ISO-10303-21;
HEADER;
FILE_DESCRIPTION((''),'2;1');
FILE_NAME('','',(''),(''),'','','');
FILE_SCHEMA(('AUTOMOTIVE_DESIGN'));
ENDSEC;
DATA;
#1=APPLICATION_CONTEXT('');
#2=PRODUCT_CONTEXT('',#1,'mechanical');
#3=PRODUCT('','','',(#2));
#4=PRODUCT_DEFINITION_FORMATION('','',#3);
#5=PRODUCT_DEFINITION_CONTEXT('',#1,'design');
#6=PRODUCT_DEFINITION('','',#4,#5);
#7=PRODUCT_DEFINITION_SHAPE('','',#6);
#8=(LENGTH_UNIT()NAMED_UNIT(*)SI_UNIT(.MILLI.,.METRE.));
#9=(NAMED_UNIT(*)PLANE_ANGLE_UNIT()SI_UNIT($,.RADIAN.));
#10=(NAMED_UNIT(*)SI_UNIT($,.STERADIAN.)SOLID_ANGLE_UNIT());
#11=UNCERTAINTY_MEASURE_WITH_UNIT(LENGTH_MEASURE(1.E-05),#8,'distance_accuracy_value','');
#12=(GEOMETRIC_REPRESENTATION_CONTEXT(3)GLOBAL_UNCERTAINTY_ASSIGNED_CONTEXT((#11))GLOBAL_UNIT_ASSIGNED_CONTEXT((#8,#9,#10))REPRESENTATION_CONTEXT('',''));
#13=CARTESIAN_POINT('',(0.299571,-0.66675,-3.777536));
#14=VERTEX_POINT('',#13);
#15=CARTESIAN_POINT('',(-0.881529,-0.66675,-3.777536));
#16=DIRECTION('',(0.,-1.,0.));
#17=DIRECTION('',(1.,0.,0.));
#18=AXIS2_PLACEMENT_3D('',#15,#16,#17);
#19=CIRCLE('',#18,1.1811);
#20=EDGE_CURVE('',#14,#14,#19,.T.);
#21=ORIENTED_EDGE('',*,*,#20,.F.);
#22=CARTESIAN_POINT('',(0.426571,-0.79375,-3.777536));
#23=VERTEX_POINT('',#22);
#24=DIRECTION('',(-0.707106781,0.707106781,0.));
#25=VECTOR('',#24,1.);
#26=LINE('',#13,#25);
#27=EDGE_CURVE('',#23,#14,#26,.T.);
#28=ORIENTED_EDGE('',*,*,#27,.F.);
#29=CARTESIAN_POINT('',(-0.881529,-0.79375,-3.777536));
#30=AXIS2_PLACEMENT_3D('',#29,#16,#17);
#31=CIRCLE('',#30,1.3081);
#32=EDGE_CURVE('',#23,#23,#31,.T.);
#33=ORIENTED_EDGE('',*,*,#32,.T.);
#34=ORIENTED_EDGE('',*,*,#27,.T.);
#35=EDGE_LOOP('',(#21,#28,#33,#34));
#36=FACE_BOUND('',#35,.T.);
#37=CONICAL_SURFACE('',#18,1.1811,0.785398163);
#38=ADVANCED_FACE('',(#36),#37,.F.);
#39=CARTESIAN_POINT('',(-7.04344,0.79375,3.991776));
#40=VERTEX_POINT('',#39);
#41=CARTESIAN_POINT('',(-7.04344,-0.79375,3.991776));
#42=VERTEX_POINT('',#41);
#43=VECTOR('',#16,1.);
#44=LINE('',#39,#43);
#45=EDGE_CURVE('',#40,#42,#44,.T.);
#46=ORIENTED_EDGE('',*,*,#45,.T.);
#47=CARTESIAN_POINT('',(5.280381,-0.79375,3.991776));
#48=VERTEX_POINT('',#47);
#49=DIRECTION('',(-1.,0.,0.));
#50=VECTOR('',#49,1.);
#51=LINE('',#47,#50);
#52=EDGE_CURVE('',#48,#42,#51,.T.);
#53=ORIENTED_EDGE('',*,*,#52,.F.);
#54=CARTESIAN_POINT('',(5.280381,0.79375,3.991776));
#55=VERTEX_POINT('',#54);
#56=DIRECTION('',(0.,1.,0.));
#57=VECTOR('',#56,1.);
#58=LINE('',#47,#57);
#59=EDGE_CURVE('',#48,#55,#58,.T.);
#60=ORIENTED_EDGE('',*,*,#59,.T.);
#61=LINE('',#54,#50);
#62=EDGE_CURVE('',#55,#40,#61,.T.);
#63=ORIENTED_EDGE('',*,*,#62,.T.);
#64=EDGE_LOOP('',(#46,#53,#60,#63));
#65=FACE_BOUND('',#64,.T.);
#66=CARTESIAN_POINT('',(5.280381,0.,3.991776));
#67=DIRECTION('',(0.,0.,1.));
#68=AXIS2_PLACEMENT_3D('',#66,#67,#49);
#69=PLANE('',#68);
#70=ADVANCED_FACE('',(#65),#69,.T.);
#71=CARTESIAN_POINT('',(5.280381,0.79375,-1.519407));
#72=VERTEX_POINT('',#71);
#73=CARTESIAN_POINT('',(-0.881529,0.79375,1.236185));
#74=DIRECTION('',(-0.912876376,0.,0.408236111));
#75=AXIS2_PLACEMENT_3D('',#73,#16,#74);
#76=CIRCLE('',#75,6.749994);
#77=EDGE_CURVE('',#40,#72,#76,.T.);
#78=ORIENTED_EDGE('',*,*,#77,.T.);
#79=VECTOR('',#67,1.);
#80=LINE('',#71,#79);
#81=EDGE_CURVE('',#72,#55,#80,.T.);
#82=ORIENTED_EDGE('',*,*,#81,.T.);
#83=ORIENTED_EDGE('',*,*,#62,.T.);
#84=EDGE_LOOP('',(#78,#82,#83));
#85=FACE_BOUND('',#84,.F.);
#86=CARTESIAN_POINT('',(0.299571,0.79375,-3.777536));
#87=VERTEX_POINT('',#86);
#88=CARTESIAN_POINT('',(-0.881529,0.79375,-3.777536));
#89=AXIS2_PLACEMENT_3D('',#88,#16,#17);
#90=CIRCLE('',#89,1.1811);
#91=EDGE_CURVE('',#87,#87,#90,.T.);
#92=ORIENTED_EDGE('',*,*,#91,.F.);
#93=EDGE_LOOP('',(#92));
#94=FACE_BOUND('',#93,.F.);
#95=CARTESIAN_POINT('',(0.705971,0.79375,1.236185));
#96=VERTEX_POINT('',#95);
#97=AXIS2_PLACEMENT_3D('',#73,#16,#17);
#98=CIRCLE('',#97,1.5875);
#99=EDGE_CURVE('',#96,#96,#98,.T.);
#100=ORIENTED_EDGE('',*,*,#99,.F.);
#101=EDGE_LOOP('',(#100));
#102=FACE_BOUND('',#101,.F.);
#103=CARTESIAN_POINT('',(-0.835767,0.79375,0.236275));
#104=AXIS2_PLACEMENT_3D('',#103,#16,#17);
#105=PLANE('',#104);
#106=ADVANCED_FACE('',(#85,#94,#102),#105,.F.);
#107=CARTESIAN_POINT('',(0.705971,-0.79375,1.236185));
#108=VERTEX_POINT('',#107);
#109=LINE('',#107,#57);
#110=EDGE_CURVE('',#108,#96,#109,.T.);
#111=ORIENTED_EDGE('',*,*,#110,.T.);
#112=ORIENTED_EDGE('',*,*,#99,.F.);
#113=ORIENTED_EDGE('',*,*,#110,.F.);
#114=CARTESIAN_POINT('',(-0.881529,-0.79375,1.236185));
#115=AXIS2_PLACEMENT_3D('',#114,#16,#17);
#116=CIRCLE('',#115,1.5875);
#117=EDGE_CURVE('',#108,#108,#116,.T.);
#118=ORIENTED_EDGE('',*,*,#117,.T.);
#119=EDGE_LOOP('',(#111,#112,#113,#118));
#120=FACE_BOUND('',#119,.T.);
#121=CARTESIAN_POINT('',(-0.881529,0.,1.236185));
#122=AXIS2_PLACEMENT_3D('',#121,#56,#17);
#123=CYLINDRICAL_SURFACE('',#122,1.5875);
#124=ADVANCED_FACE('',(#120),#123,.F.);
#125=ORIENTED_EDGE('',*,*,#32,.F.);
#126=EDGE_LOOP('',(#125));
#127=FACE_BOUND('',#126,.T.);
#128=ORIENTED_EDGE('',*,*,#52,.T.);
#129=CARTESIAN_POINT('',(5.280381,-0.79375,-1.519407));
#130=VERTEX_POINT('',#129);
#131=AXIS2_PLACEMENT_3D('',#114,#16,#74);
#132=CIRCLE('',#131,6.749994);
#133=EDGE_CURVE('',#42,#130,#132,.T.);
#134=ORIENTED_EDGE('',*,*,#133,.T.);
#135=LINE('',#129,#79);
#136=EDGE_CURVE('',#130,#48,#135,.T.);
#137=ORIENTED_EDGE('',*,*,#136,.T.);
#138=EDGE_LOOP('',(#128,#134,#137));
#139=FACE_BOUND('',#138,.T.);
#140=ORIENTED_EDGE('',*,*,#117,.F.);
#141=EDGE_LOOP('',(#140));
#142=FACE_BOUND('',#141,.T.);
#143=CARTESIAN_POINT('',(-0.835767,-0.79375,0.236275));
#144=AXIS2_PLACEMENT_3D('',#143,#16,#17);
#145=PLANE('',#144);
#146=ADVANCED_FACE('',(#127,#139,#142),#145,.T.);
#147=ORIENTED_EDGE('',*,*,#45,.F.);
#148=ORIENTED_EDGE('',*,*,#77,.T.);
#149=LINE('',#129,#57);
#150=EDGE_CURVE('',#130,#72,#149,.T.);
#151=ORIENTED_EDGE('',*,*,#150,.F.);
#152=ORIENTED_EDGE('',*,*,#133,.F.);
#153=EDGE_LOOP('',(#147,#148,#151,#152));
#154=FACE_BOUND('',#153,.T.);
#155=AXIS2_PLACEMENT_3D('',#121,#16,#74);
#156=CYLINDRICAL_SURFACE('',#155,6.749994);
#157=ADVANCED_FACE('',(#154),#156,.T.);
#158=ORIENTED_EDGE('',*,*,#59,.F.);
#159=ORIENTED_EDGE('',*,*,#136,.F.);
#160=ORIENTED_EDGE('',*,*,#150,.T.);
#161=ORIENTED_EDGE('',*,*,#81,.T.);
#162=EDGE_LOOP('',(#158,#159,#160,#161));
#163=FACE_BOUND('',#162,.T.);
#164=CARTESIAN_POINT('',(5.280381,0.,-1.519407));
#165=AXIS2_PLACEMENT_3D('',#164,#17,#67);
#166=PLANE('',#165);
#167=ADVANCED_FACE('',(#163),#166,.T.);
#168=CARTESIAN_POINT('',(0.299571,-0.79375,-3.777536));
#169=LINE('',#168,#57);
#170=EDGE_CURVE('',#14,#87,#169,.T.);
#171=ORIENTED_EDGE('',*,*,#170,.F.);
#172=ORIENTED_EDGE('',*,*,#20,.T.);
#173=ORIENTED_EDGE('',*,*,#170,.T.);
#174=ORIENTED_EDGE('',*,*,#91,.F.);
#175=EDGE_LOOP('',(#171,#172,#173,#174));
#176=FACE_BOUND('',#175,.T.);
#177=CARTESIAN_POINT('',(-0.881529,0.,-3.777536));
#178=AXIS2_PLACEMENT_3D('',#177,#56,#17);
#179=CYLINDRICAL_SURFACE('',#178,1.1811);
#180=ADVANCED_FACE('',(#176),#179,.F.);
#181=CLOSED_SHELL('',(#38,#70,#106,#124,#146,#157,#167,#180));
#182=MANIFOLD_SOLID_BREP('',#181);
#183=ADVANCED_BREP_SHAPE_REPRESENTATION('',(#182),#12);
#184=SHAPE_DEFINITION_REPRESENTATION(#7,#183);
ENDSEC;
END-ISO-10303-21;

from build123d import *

# Parameters (mm, degrees)
F0_R     = 1.1811
F0_R_2   = 1.5875
F1_DEPTH = 0.79375
F2_SIZE2 = 0.127
F2_SIZE  = 0.127


with BuildPart() as f1:
    # F0 (on Front) → F1 (new body, symmetric)
    with BuildSketch(Plane.XZ):
        with BuildLine():
            Line((5.280381, 3.991776), (-7.04344, 3.991776))
            ThreePointArc((-7.04344, 3.991776), (-3.637121, -4.925726), (5.280381, -1.519407))
            Line((5.280381, -1.519407), (5.280381, 3.991776))
        make_face()
        with Locations((-0.881529, -3.777536)):
            Circle(F0_R, mode=Mode.SUBTRACT)
        with Locations((-0.881529, 1.236185)):
            Circle(F0_R_2, mode=Mode.SUBTRACT)
    extrude(amount=F1_DEPTH, both=True)

    # F2
    f2_edges = [f1.edges().sort_by_distance(p)[0] for p in [
        (-2.062629, -0.79375, -3.777536),
    ]]
    chamfer(f2_edges, length=F2_SIZE, length2=F2_SIZE2)


solid = f1.part
